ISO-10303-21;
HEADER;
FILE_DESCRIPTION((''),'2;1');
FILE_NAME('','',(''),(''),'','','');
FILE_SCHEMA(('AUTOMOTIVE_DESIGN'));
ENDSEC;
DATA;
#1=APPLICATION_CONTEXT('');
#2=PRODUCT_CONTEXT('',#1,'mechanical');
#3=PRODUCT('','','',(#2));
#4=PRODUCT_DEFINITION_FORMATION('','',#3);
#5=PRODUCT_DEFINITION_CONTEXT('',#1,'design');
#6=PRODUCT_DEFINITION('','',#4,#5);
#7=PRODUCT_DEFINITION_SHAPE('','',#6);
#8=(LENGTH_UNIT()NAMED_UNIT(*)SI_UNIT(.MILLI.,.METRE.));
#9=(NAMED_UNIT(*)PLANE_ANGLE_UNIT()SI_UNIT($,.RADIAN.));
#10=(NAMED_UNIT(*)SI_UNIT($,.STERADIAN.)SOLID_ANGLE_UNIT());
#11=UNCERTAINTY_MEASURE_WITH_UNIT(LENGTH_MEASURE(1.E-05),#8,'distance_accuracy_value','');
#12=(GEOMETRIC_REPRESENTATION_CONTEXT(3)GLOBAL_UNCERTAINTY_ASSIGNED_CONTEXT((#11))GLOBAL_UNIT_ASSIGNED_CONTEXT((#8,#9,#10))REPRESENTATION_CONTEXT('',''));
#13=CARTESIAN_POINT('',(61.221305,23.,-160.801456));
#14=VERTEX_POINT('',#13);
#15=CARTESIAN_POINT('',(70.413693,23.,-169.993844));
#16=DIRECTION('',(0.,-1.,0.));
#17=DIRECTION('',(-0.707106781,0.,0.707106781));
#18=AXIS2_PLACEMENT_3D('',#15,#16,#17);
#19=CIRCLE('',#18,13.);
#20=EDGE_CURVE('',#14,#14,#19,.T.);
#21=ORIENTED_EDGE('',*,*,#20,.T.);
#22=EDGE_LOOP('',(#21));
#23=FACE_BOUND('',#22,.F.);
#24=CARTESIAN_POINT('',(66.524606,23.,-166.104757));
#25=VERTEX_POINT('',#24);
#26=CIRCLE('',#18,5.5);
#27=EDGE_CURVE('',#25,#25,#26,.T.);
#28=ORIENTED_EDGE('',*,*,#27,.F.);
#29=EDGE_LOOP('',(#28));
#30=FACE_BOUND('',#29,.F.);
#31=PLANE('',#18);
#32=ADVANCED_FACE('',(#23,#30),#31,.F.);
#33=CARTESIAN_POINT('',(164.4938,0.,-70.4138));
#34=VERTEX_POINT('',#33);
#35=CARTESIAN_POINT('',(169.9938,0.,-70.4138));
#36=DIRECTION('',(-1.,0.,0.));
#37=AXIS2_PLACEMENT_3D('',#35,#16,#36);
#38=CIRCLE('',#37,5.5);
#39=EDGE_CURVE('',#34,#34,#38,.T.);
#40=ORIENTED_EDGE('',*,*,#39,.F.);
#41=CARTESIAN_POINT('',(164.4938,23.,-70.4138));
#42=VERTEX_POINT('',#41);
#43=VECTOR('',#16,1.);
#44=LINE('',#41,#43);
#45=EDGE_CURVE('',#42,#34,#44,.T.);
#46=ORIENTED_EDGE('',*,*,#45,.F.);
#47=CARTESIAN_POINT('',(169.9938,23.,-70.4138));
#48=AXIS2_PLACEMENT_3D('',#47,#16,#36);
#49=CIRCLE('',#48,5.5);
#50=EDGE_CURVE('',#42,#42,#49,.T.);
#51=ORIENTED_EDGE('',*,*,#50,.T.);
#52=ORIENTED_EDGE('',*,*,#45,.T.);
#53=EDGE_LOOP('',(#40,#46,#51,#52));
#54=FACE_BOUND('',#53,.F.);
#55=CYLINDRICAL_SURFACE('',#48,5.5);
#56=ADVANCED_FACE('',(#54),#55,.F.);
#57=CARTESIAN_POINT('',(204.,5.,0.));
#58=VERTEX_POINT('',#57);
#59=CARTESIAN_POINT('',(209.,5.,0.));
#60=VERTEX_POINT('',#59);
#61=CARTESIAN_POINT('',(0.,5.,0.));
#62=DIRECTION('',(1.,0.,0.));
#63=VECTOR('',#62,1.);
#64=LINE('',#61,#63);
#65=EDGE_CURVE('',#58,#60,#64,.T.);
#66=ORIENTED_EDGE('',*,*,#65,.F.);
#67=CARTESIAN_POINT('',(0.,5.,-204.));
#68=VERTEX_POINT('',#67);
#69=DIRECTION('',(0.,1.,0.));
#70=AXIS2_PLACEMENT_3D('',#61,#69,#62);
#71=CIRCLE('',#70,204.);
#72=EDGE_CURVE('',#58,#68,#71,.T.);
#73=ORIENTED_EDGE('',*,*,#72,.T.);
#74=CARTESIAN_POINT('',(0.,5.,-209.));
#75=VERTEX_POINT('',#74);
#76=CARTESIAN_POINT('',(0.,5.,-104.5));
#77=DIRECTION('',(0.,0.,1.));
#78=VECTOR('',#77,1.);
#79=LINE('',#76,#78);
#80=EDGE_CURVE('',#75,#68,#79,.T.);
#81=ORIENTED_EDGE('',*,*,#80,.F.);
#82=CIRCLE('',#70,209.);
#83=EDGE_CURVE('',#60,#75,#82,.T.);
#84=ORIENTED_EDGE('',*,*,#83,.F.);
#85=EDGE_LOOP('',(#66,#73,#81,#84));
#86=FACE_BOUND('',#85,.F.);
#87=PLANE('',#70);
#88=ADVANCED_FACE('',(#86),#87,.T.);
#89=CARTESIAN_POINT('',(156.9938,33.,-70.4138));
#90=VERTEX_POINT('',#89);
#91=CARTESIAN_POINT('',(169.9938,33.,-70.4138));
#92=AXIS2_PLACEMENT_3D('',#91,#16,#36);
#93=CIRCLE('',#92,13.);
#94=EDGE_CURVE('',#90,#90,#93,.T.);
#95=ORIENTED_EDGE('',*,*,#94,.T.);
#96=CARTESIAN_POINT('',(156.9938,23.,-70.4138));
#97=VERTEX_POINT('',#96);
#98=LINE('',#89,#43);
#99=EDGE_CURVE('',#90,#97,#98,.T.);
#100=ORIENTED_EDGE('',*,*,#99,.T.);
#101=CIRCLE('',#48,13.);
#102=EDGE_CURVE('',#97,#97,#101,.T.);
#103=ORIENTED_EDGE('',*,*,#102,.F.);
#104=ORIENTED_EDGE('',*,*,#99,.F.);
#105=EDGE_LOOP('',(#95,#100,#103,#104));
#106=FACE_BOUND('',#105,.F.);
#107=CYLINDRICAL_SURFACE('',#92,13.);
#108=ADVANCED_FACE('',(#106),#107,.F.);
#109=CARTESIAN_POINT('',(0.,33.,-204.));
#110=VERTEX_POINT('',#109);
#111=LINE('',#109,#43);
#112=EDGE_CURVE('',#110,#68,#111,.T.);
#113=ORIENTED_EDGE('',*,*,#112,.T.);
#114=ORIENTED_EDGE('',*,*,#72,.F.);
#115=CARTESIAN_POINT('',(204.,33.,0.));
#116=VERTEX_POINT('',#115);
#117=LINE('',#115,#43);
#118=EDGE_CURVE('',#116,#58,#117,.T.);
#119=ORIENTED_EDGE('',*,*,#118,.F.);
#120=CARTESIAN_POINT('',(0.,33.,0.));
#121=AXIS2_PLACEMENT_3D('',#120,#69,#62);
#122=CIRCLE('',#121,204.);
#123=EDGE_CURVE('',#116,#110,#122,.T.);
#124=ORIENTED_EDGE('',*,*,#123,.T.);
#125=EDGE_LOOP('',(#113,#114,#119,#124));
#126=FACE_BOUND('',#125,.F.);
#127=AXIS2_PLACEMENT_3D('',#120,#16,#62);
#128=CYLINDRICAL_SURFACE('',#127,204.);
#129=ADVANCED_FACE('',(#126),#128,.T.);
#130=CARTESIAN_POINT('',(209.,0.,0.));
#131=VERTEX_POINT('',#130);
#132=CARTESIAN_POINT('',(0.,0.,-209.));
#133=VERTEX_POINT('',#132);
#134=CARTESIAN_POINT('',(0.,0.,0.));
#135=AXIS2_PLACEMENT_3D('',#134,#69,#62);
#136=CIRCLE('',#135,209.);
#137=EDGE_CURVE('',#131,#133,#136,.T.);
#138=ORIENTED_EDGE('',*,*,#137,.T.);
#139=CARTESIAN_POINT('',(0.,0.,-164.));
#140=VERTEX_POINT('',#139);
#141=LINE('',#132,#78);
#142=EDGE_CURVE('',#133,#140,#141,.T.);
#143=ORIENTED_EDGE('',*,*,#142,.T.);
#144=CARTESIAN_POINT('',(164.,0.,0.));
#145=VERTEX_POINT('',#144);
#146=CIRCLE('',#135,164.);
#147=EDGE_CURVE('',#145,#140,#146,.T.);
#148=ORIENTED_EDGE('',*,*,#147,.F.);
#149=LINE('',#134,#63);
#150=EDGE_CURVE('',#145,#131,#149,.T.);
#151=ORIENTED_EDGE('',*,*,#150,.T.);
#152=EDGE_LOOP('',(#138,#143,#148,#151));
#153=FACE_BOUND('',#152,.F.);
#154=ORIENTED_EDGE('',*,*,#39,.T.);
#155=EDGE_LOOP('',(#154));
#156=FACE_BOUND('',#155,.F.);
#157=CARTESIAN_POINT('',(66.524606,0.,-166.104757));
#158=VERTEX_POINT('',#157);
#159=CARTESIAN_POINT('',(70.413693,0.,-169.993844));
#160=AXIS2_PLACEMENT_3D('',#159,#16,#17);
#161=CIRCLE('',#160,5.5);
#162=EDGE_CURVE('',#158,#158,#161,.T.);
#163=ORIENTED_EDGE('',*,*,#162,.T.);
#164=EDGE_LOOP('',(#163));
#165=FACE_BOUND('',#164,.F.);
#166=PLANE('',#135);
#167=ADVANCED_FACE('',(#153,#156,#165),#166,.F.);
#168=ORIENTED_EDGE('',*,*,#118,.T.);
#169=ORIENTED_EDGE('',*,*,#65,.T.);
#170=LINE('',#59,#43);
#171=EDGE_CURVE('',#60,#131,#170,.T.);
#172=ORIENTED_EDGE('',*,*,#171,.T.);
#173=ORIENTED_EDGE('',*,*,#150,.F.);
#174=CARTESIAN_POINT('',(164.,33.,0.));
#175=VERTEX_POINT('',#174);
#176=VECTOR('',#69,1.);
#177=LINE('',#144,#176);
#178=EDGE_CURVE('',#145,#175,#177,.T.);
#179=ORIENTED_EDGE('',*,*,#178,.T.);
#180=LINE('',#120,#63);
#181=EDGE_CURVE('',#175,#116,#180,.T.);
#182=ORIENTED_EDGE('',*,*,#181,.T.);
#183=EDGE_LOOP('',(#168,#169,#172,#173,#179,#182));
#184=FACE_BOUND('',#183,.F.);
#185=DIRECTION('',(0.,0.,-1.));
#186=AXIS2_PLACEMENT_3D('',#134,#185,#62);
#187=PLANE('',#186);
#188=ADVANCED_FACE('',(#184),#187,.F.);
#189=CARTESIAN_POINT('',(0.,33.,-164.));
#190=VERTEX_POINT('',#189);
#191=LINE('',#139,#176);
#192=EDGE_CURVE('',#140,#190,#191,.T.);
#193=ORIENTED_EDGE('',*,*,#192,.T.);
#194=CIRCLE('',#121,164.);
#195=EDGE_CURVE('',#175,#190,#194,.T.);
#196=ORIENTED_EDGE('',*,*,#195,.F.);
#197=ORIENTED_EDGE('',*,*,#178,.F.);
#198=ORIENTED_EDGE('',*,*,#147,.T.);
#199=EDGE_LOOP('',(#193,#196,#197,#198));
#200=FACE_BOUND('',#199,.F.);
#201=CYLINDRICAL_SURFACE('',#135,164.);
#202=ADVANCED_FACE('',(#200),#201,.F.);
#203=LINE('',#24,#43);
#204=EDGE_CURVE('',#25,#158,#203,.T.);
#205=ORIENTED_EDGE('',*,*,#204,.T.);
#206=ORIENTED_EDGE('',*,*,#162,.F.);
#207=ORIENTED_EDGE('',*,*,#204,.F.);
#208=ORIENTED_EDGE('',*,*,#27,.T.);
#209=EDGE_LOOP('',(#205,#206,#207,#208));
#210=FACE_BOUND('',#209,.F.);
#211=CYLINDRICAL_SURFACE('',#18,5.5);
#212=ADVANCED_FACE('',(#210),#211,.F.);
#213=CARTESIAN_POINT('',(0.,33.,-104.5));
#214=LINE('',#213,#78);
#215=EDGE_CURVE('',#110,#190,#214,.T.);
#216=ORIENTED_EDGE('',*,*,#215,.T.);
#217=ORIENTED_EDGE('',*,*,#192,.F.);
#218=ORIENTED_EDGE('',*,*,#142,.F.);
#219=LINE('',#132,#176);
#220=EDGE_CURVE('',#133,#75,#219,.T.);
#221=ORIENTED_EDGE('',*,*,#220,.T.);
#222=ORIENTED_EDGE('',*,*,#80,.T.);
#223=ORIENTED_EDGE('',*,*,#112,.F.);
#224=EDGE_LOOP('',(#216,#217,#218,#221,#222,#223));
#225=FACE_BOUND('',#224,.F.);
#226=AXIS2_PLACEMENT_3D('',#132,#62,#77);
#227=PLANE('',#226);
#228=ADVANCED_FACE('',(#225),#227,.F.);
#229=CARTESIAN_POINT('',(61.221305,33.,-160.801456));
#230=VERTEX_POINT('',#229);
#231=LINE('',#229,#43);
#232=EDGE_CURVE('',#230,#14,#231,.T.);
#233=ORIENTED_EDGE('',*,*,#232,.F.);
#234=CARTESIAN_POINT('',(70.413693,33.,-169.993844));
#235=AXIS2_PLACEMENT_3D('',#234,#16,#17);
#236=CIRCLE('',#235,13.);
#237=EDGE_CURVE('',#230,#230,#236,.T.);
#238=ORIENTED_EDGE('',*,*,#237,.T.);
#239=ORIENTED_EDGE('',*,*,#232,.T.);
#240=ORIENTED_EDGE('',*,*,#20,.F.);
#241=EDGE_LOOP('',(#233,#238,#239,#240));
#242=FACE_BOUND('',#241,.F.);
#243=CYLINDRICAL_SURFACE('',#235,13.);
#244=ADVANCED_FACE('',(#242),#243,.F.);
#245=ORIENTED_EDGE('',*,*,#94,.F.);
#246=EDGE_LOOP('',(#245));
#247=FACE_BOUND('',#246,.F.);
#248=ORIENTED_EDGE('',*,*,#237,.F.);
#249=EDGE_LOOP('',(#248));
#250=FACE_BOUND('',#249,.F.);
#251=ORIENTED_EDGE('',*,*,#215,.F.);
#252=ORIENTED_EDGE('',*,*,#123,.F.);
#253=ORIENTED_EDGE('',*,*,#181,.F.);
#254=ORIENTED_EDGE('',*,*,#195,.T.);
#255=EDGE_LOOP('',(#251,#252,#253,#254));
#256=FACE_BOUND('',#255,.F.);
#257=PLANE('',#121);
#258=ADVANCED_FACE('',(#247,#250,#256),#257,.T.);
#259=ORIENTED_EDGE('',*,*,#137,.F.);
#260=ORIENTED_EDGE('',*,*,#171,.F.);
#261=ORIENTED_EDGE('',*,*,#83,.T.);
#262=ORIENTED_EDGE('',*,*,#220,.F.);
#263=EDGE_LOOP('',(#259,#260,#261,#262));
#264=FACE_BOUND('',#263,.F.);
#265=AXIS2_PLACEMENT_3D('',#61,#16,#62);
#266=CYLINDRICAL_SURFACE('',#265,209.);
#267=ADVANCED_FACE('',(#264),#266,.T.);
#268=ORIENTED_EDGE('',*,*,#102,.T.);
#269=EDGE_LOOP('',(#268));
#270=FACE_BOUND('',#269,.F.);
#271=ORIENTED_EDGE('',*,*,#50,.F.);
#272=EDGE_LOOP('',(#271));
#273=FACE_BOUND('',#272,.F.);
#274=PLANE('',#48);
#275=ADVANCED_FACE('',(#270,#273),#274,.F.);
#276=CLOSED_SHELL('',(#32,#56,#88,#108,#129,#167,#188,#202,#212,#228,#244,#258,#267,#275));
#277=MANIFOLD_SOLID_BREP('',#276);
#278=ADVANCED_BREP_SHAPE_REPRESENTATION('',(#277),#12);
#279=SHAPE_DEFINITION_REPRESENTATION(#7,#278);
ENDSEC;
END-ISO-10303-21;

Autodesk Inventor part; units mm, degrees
ref_plane "YZ Plane" through (0, 0, 0) normal (1, 0, 0) x (0, 1, 0)
ref_plane "XZ Plane" through (0, 0, 0) normal (0, 1, 0) x (-1, 0, 0)
ref_plane "XY Plane" through (0, 0, 0) normal (0, 0, 1) x (1, 0, 0)
sketch "Sketch5" plane through (0, 0, 0) normal (0, 0, 1) x (1, 0, 0)
  line L0 (0, 0) -> (0, 33)
  line L1 (164, 0) -> (164, 33)
  line L2 (164, 33) -> (204, 33)
  line L3 (204, 33) -> (204, 5)
  line L4 (204, 5) -> (209, 5)
  line L5 (209, 5) -> (209, 0)
  line L6 (209, 0) -> (164, 0)
  point P0 (186.5, 0)
  dimension "d16" = 328
  dimension "d17" = 408
  dimension "d19" = 28
  dimension "d20" = 5
  dimension "d21" = 5
revolve "Revolution1" add sketch "Sketch5" angle 360 about axis through (0, 0, 0) along (0, 1, 0)
sketch "Sketch6" plane through (0, 33, 0) normal (0, 1, 0) x (1, 0, 0)
  circle A0 centre (0, 0) radius 184
  line L0 (0, 0) -> (-70.4138, 169.9938)
  line L1 (0, 0) -> (0, 184)
  dimension "d23" = 368
  dimension "d34" = 22.5
hole "Hole1" at (-70.4138, 33, -169.9938) direction (0, -1, 0) diameter 11 end through all counterbore diameter 26 counterbore depth 10
pattern_circular "Circular Pattern2" count 8 over 360 about axis through (0, -10, 0) along (0, 1, 0) of "Hole1"
sketch "Sketch7" plane through (0, 0, 0) normal (0, 1, 0) x (-1, 0, 0)
  circle A0 centre (0, 0) radius 209 projected
  line L0 (0, -209) -> (0, 0)
  line L1 (0, 0) -> (-209, 0)
  circle A1 centre (0, 0) radius 209 projected
extrude "Extrusion5" cut sketch "Sketch7" along normal through all both and the other way through all contours A0 L0 L1 picked at (-105.1818, 91.1406)
equation "\"d29\" = Thickness"
equation "\"Thickness\" = 40"
properties part number "DMF 0132 Барабан Опорное кольцо КОРМА четверть"
